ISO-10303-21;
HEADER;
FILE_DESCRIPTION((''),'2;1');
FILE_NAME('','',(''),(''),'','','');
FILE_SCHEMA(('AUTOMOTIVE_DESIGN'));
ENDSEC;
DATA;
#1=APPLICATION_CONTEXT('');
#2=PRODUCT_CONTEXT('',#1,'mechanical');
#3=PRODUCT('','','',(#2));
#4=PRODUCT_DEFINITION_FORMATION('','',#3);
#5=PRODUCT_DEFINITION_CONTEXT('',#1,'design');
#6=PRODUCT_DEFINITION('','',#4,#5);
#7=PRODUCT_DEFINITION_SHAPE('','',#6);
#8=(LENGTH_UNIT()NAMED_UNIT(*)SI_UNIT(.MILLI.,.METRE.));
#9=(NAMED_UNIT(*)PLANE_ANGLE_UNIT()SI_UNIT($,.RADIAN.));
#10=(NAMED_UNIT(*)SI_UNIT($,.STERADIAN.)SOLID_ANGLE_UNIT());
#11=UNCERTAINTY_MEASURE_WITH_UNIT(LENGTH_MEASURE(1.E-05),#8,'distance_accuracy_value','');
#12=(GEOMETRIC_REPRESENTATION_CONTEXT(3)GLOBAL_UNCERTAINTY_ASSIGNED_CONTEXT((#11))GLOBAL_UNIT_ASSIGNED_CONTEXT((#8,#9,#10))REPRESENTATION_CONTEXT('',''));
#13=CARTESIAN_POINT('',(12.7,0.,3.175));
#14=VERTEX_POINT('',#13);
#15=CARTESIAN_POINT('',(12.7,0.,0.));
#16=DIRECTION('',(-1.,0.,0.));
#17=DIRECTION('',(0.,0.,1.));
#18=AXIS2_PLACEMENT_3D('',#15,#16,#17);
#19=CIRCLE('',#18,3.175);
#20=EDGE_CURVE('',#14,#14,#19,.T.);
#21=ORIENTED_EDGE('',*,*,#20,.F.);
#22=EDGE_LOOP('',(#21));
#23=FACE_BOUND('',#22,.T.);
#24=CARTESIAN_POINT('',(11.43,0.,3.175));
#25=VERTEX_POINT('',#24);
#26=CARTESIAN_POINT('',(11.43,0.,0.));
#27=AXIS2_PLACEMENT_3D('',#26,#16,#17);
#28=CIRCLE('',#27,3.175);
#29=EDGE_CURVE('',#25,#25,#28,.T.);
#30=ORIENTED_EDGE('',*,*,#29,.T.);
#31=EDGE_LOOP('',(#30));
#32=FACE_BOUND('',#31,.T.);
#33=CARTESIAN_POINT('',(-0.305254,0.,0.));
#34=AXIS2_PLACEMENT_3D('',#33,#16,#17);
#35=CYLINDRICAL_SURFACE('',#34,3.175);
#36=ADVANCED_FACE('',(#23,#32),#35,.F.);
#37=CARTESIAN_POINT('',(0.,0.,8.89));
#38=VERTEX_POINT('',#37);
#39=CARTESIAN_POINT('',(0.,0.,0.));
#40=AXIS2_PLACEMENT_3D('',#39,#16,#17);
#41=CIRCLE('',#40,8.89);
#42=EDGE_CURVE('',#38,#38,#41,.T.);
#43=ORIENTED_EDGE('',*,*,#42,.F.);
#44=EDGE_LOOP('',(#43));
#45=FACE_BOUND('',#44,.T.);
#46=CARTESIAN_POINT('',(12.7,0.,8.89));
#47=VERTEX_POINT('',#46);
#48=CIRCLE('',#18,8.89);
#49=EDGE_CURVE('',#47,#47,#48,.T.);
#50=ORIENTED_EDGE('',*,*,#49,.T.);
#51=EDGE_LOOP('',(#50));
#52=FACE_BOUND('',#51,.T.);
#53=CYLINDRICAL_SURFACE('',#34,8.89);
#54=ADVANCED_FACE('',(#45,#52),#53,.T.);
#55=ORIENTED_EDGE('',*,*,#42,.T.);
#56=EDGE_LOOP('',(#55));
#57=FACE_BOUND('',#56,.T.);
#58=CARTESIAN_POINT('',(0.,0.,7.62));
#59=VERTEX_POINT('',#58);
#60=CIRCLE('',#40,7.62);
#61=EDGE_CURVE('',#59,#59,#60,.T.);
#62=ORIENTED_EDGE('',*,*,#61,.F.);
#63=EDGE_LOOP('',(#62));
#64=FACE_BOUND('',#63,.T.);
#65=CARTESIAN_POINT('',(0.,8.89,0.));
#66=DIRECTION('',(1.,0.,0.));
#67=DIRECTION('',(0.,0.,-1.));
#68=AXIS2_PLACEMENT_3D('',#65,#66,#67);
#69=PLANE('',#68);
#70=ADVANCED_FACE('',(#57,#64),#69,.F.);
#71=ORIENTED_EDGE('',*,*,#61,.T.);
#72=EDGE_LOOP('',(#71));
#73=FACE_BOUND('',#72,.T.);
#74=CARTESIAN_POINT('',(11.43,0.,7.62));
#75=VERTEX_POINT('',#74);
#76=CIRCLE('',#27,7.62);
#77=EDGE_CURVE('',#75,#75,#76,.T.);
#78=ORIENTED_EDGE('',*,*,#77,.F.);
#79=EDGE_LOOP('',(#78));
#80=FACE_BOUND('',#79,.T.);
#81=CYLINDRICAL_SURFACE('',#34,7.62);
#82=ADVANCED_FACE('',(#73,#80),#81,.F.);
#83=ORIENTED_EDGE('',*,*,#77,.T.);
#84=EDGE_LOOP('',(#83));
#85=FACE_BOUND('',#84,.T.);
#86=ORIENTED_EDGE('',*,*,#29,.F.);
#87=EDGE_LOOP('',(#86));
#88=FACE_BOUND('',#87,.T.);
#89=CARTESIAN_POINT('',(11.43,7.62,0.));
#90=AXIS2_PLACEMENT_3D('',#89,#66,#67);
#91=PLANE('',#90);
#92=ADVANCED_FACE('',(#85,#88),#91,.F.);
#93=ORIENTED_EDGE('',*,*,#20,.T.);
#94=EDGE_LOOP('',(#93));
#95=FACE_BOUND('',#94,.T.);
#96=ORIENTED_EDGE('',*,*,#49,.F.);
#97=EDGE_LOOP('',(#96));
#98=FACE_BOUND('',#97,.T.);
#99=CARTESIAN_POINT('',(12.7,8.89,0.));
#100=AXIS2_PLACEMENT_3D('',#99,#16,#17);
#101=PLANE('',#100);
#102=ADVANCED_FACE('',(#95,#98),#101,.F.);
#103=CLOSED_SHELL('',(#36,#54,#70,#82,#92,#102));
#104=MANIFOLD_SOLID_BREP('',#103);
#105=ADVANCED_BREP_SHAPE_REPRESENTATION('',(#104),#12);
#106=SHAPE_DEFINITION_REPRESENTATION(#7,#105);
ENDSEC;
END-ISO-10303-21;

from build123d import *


with BuildPart() as part:
    # Sketch1 → Revolve1 (revolve)
    with BuildSketch(Plane.XY):
        Polygon((0, 7.62), (11.43, 7.62), (11.43, 3.175), (12.7, 3.175), (12.7, 8.89), (0, 8.89), align=None)
    revolve(axis=Axis((-0.305253565, 0, 0), (1, 0, 0)))


solid = part.part
